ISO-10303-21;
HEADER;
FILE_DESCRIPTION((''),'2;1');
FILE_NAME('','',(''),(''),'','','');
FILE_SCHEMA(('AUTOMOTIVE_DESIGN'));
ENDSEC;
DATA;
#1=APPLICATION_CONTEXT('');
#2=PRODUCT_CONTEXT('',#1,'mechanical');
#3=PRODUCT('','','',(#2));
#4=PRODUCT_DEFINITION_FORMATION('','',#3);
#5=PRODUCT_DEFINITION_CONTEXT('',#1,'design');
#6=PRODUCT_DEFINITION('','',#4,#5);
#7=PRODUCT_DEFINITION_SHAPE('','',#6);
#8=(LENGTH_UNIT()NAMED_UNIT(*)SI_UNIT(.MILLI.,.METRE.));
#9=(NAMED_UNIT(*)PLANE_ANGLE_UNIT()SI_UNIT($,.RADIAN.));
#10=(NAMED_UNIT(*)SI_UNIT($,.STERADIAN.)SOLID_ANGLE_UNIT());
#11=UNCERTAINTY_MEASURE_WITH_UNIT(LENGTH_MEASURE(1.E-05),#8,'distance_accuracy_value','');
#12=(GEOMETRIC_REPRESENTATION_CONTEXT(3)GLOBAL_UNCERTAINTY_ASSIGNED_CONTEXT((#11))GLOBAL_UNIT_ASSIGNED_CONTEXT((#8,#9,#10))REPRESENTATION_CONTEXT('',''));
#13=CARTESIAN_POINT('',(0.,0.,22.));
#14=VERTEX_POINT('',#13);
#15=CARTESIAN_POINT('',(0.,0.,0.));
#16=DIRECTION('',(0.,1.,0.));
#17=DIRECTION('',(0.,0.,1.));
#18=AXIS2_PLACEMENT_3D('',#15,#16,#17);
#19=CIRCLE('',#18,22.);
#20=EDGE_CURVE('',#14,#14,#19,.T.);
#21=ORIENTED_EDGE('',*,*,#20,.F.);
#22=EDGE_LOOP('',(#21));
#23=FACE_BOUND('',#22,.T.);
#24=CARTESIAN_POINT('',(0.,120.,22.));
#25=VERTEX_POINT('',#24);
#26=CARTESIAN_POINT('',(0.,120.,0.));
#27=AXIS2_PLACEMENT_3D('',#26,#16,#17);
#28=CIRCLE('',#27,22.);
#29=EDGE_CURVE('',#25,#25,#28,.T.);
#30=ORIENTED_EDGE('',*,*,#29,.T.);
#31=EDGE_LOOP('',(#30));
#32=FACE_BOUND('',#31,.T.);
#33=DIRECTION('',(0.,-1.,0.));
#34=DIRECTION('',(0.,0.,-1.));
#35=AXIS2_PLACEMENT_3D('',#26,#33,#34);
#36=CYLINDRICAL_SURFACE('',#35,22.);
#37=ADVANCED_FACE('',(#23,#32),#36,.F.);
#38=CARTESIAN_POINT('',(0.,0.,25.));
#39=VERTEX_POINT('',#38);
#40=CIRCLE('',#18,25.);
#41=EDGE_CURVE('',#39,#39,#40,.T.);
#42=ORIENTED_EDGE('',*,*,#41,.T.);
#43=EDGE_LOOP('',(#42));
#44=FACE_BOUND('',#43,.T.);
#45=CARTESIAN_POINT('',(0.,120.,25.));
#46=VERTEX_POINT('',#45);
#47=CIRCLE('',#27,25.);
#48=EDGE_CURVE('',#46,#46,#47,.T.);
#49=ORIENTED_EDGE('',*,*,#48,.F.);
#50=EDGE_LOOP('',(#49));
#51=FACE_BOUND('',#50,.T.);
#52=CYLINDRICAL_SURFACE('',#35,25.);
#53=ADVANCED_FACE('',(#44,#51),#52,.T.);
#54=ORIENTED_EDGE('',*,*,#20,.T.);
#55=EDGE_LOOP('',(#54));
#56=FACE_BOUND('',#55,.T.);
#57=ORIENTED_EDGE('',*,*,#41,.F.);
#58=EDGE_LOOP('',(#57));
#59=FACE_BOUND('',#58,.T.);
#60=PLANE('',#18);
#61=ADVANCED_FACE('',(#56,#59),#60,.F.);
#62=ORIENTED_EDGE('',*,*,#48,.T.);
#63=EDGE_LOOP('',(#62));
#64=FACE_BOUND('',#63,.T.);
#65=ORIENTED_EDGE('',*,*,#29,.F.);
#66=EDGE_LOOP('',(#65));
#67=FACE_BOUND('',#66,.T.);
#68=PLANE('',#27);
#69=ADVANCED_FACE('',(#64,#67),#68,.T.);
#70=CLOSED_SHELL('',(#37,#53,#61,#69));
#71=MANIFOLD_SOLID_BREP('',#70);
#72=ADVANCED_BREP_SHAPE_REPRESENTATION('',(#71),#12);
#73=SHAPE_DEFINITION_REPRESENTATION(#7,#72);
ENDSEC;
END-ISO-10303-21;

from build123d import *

# Parameters (mm, degrees)
SKETCH_1_R      = 25
SKETCH_1_R_2    = 22
EXTRUDE_1_DEPTH = 120


with BuildPart() as part:
    # 스케치1 → 보스-돌출1 (new body)
    with BuildSketch(Plane(origin=(0, 0, 0), x_dir=(1, 0, 0), z_dir=(0, 1, 0))):
        with Locations(Location((0, 0, 0), (0, 0, 270))):
            Circle(SKETCH_1_R)
        with Locations(Location((0, 0, 0), (0, 0, 270))):
            Circle(SKETCH_1_R_2, mode=Mode.SUBTRACT)
    extrude(amount=EXTRUDE_1_DEPTH)


solid = part.part
